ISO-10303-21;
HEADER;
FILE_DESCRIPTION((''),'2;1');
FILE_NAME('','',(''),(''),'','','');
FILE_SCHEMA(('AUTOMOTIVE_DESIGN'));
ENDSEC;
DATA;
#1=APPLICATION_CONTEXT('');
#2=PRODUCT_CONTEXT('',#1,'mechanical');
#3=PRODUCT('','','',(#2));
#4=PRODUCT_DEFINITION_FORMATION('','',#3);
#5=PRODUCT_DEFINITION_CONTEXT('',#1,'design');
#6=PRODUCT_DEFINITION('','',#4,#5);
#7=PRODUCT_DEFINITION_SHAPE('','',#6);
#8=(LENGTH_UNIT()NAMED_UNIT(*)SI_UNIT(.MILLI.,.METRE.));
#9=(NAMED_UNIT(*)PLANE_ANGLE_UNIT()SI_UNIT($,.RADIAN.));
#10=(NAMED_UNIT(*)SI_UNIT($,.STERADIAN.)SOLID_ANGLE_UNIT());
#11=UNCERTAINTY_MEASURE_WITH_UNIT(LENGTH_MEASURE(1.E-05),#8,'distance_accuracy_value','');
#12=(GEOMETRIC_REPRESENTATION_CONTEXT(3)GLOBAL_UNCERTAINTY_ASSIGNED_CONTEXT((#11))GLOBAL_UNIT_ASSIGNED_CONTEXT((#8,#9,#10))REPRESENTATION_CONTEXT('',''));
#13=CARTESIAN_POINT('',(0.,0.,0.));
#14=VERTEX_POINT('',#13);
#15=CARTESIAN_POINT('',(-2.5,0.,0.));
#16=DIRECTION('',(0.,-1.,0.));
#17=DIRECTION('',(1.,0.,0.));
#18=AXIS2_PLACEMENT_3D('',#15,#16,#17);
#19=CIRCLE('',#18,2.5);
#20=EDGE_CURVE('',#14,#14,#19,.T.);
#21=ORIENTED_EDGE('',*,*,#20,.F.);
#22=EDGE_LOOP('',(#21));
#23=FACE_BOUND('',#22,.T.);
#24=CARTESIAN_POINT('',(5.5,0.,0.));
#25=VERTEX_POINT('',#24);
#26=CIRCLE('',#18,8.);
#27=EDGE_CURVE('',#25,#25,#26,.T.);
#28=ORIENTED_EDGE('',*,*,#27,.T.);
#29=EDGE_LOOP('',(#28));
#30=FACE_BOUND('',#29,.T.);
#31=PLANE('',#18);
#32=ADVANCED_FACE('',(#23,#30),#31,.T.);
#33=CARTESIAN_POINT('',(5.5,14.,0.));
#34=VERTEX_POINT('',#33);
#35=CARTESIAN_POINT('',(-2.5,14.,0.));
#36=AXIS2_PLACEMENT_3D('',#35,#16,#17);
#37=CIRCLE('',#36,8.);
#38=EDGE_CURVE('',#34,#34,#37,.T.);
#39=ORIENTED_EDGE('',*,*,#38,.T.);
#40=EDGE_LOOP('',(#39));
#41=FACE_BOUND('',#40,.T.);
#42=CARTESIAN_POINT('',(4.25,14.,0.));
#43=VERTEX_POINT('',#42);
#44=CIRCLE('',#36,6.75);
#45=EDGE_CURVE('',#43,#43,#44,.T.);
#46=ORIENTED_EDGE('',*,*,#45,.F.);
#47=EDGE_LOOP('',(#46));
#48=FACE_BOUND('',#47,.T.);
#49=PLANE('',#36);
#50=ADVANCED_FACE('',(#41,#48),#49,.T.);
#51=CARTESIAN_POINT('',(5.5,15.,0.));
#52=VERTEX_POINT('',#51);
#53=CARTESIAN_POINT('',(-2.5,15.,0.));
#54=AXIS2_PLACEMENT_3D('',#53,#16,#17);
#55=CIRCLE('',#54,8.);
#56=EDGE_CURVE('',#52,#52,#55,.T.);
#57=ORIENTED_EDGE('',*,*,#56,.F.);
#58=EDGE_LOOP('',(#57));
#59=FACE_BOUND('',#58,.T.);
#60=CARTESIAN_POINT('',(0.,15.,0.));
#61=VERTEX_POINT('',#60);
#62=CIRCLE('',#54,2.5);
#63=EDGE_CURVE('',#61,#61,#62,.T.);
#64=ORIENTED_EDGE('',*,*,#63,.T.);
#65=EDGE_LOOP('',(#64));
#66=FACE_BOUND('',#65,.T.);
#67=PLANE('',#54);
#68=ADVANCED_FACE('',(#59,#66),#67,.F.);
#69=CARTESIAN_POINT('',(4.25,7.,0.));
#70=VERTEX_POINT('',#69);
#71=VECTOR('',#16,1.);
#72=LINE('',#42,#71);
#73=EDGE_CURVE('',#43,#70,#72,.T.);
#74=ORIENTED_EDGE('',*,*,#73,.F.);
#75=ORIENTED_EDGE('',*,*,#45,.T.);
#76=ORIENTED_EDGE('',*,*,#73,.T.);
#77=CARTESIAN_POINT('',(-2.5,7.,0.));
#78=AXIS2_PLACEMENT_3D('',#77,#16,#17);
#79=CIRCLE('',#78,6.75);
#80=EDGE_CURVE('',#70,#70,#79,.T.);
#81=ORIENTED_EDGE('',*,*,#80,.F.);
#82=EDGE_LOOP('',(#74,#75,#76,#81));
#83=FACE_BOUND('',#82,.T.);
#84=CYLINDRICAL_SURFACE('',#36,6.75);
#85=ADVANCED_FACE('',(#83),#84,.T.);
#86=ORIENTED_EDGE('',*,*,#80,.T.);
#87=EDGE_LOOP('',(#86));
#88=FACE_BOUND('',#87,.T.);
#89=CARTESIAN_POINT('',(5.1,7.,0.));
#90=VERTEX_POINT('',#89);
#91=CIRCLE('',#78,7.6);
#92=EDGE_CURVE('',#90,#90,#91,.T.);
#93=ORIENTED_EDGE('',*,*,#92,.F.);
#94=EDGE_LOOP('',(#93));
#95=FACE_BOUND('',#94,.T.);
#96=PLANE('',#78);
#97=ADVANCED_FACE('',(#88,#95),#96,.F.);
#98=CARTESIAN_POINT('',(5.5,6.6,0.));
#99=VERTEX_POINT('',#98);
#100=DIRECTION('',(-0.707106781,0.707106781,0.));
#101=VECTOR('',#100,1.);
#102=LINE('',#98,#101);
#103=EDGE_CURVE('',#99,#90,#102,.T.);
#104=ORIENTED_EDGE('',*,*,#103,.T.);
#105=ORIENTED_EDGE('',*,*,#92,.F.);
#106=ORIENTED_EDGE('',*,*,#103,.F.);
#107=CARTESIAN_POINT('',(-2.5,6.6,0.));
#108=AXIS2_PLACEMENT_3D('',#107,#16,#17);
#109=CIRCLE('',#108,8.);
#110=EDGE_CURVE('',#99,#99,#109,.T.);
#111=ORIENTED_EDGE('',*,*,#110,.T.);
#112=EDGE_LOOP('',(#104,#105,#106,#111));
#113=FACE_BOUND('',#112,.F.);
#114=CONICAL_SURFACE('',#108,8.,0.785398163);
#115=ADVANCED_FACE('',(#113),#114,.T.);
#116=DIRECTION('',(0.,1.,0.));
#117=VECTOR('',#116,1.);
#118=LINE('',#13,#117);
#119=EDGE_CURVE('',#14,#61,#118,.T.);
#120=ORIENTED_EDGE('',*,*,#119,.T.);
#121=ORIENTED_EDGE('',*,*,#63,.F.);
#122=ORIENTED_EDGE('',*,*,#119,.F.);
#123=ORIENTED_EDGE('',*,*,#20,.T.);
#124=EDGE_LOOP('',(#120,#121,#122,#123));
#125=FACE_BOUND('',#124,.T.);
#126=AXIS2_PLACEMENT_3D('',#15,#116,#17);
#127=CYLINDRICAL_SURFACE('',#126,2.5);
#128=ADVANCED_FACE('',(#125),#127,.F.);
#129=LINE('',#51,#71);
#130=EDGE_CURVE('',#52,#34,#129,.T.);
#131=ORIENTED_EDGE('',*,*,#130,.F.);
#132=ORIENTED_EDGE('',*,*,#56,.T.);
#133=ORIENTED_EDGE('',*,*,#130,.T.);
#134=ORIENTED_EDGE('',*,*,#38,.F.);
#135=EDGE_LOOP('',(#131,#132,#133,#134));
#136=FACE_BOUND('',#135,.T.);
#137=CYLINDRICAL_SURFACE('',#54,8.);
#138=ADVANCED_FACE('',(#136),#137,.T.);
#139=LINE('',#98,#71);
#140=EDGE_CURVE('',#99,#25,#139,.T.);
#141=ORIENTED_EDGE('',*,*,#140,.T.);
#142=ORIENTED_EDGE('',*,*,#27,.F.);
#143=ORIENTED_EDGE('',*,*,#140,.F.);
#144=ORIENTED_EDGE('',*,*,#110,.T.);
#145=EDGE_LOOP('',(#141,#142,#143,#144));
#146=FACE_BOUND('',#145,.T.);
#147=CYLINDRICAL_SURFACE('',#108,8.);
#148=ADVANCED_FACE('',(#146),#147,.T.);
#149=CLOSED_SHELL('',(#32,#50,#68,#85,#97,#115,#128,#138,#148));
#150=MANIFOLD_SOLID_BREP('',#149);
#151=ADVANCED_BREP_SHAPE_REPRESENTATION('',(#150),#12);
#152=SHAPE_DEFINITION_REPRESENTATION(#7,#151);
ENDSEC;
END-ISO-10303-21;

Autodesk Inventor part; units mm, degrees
ref_plane "YZ Plane" through (0, 0, 0) normal (1, 0, 0) x (0, 1, 0)
ref_plane "XZ Plane" through (0, 0, 0) normal (0, 1, 0) x (-1, 0, 0)
ref_plane "XY Plane" through (0, 0, 0) normal (0, 0, 1) x (1, 0, 0)
sketch "Sketch1" plane through (0, 0, 0) normal (0, 0, 1) x (1, 0, 0)
  line L0 (0, 0) -> (0, 15)
  line L1 (0, 15) -> (5.5, 15)
  line L2 (5.5, 15) -> (5.5, 14)
  line L3 (5.5, 14) -> (4.25, 14)
  line L4 (4.25, 14) -> (4.25, 7)
  line L5 (4.25, 7) -> (5.1, 7)
  line L6 (5.5, 6.6) -> (5.5, 0)
  line L7 (5.5, 0) -> (0, 0)
  line L8 (-2.5, 11.781) -> (-2.5, 3.2351)
  line L9 (5.5, 6.6) -> (5.1, 7)
  point P0 (5.5, 7)
  dimension "d0" = 5.5
  dimension "d1" = 7
  dimension "d2" = 7
  dimension "d4" = 2.5
  dimension "d6" = 15
  dimension "d7" = 4.25
  dimension "d8" = 0.4
  dimension "d9" = 0.4
revolve "Revolution2" add sketch "Sketch1" angle 360 about axis through (-2.5, 11.781, 0) along (0, -1, 0)
equation "\"d9\" = d8"
properties part number "gt2_20_pulley"
